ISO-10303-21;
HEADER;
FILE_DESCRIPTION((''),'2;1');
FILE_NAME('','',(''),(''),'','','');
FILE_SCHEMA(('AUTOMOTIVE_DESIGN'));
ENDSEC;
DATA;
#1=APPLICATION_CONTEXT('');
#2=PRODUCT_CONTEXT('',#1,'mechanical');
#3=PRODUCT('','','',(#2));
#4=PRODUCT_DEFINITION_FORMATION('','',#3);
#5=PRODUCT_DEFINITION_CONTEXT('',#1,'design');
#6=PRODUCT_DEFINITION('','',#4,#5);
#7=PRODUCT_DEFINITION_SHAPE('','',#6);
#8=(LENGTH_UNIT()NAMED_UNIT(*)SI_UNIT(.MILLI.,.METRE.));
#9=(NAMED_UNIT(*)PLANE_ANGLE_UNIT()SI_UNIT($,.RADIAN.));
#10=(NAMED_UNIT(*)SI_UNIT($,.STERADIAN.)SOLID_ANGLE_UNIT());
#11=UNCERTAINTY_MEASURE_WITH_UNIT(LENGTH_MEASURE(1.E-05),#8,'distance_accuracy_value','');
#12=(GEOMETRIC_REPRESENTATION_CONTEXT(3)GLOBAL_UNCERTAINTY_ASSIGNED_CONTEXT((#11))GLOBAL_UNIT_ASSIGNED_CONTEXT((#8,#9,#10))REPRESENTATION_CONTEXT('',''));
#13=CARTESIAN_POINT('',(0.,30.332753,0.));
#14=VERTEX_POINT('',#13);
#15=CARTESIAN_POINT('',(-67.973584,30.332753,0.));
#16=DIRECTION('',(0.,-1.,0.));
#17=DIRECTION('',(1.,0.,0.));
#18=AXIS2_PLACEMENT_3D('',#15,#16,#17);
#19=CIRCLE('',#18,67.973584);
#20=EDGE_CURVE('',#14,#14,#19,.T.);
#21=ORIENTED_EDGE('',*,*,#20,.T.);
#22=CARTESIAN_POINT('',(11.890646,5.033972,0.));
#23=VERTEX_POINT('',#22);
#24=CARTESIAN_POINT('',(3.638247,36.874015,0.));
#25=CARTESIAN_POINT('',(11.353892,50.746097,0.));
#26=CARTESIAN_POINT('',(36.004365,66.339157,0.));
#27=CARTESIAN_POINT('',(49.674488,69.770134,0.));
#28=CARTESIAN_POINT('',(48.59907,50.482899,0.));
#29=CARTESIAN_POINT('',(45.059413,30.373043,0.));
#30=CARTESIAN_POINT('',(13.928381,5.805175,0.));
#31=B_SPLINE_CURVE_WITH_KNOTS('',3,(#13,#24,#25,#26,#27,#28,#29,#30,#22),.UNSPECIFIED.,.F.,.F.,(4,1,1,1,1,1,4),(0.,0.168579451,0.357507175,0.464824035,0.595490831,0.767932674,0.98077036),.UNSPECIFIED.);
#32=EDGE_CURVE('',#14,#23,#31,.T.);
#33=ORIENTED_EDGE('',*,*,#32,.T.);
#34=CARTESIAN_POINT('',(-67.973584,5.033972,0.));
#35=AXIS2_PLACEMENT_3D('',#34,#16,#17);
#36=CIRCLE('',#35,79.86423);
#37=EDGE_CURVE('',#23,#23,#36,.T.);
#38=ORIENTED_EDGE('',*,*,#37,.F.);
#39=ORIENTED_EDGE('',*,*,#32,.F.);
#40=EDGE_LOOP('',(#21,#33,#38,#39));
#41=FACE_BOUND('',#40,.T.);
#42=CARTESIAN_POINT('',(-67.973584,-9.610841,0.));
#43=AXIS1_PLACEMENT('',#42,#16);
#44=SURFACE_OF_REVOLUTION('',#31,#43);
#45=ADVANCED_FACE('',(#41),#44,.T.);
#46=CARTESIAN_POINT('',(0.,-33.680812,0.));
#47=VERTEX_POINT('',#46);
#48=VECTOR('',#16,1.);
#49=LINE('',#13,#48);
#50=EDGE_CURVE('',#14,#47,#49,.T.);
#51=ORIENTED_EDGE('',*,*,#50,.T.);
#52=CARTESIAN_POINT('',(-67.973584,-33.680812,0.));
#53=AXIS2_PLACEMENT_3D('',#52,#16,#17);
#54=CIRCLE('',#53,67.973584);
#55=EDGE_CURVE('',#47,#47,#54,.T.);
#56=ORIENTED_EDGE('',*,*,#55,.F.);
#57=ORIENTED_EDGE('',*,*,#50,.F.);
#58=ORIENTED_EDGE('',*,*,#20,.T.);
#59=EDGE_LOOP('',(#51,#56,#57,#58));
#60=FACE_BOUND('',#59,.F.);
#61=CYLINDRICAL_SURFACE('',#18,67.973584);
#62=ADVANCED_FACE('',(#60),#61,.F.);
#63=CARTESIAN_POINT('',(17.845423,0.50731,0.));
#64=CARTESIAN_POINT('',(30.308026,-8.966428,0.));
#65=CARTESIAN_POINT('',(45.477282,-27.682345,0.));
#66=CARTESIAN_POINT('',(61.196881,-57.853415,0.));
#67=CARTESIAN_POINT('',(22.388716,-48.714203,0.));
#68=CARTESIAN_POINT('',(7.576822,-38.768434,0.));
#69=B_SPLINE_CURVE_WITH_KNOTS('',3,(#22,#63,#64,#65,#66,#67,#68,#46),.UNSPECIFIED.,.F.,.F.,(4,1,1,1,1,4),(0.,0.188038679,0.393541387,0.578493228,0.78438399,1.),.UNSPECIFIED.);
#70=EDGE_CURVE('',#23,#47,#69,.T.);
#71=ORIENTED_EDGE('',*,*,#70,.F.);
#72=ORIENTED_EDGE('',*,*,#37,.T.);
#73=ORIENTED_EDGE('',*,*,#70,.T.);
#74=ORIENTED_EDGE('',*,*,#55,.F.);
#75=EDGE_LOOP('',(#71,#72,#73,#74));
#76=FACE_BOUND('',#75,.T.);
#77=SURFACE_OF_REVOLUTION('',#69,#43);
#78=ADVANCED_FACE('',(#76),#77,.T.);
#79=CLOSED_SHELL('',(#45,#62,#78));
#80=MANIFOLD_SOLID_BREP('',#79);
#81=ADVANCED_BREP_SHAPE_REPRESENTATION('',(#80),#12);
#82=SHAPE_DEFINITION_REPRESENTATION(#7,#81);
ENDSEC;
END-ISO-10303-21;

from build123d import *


with BuildPart() as f1:
    # F0 (on Top) → F1 (revolve)
    with BuildSketch(Plane.XY):
        with BuildLine():
            add(Edge.make_bspline(
                [(0, 30.3327534348), (3.6382466047, 36.8740151806), (11.3538920056, 50.7460974193), (36.0043650486, 66.3391574121), (49.6744880079, 69.7701344869), (48.5990699134, 50.4828988644), (45.0594133754, 30.3730429698), (13.9283806725, 5.8051754644), (11.8906460702, 5.0339722075)],
                knots=[0, 0, 0, 0, 0.1685794512, 0.3575071754, 0.4648240347, 0.5954908307, 0.7679326743, 0.9807703595, 0.9807703595, 0.9807703595, 0.9807703595], degree=3))
            Line((0, 30.3327534348), (0, -33.6808115244))
            add(Edge.make_bspline(
                [(11.8906460702, 5.0339722075), (17.8454233749, 0.5073096034), (30.308025944, -8.9664278873), (45.4772818078, -27.6823449131), (61.1968807908, -57.8534153518), (22.3887164888, -48.7142033704), (7.5768216922, -38.7684336533), (0, -33.6808115244)],
                knots=[0, 0, 0, 0, 0.1880386788, 0.3935413872, 0.5784932281, 0.7843839903, 1, 1, 1, 1], degree=3))
        make_face()
    revolve(axis=Axis((-67.9735839367, -9.6108410507, 0), (0, -1, 0)))


solid = f1.part
